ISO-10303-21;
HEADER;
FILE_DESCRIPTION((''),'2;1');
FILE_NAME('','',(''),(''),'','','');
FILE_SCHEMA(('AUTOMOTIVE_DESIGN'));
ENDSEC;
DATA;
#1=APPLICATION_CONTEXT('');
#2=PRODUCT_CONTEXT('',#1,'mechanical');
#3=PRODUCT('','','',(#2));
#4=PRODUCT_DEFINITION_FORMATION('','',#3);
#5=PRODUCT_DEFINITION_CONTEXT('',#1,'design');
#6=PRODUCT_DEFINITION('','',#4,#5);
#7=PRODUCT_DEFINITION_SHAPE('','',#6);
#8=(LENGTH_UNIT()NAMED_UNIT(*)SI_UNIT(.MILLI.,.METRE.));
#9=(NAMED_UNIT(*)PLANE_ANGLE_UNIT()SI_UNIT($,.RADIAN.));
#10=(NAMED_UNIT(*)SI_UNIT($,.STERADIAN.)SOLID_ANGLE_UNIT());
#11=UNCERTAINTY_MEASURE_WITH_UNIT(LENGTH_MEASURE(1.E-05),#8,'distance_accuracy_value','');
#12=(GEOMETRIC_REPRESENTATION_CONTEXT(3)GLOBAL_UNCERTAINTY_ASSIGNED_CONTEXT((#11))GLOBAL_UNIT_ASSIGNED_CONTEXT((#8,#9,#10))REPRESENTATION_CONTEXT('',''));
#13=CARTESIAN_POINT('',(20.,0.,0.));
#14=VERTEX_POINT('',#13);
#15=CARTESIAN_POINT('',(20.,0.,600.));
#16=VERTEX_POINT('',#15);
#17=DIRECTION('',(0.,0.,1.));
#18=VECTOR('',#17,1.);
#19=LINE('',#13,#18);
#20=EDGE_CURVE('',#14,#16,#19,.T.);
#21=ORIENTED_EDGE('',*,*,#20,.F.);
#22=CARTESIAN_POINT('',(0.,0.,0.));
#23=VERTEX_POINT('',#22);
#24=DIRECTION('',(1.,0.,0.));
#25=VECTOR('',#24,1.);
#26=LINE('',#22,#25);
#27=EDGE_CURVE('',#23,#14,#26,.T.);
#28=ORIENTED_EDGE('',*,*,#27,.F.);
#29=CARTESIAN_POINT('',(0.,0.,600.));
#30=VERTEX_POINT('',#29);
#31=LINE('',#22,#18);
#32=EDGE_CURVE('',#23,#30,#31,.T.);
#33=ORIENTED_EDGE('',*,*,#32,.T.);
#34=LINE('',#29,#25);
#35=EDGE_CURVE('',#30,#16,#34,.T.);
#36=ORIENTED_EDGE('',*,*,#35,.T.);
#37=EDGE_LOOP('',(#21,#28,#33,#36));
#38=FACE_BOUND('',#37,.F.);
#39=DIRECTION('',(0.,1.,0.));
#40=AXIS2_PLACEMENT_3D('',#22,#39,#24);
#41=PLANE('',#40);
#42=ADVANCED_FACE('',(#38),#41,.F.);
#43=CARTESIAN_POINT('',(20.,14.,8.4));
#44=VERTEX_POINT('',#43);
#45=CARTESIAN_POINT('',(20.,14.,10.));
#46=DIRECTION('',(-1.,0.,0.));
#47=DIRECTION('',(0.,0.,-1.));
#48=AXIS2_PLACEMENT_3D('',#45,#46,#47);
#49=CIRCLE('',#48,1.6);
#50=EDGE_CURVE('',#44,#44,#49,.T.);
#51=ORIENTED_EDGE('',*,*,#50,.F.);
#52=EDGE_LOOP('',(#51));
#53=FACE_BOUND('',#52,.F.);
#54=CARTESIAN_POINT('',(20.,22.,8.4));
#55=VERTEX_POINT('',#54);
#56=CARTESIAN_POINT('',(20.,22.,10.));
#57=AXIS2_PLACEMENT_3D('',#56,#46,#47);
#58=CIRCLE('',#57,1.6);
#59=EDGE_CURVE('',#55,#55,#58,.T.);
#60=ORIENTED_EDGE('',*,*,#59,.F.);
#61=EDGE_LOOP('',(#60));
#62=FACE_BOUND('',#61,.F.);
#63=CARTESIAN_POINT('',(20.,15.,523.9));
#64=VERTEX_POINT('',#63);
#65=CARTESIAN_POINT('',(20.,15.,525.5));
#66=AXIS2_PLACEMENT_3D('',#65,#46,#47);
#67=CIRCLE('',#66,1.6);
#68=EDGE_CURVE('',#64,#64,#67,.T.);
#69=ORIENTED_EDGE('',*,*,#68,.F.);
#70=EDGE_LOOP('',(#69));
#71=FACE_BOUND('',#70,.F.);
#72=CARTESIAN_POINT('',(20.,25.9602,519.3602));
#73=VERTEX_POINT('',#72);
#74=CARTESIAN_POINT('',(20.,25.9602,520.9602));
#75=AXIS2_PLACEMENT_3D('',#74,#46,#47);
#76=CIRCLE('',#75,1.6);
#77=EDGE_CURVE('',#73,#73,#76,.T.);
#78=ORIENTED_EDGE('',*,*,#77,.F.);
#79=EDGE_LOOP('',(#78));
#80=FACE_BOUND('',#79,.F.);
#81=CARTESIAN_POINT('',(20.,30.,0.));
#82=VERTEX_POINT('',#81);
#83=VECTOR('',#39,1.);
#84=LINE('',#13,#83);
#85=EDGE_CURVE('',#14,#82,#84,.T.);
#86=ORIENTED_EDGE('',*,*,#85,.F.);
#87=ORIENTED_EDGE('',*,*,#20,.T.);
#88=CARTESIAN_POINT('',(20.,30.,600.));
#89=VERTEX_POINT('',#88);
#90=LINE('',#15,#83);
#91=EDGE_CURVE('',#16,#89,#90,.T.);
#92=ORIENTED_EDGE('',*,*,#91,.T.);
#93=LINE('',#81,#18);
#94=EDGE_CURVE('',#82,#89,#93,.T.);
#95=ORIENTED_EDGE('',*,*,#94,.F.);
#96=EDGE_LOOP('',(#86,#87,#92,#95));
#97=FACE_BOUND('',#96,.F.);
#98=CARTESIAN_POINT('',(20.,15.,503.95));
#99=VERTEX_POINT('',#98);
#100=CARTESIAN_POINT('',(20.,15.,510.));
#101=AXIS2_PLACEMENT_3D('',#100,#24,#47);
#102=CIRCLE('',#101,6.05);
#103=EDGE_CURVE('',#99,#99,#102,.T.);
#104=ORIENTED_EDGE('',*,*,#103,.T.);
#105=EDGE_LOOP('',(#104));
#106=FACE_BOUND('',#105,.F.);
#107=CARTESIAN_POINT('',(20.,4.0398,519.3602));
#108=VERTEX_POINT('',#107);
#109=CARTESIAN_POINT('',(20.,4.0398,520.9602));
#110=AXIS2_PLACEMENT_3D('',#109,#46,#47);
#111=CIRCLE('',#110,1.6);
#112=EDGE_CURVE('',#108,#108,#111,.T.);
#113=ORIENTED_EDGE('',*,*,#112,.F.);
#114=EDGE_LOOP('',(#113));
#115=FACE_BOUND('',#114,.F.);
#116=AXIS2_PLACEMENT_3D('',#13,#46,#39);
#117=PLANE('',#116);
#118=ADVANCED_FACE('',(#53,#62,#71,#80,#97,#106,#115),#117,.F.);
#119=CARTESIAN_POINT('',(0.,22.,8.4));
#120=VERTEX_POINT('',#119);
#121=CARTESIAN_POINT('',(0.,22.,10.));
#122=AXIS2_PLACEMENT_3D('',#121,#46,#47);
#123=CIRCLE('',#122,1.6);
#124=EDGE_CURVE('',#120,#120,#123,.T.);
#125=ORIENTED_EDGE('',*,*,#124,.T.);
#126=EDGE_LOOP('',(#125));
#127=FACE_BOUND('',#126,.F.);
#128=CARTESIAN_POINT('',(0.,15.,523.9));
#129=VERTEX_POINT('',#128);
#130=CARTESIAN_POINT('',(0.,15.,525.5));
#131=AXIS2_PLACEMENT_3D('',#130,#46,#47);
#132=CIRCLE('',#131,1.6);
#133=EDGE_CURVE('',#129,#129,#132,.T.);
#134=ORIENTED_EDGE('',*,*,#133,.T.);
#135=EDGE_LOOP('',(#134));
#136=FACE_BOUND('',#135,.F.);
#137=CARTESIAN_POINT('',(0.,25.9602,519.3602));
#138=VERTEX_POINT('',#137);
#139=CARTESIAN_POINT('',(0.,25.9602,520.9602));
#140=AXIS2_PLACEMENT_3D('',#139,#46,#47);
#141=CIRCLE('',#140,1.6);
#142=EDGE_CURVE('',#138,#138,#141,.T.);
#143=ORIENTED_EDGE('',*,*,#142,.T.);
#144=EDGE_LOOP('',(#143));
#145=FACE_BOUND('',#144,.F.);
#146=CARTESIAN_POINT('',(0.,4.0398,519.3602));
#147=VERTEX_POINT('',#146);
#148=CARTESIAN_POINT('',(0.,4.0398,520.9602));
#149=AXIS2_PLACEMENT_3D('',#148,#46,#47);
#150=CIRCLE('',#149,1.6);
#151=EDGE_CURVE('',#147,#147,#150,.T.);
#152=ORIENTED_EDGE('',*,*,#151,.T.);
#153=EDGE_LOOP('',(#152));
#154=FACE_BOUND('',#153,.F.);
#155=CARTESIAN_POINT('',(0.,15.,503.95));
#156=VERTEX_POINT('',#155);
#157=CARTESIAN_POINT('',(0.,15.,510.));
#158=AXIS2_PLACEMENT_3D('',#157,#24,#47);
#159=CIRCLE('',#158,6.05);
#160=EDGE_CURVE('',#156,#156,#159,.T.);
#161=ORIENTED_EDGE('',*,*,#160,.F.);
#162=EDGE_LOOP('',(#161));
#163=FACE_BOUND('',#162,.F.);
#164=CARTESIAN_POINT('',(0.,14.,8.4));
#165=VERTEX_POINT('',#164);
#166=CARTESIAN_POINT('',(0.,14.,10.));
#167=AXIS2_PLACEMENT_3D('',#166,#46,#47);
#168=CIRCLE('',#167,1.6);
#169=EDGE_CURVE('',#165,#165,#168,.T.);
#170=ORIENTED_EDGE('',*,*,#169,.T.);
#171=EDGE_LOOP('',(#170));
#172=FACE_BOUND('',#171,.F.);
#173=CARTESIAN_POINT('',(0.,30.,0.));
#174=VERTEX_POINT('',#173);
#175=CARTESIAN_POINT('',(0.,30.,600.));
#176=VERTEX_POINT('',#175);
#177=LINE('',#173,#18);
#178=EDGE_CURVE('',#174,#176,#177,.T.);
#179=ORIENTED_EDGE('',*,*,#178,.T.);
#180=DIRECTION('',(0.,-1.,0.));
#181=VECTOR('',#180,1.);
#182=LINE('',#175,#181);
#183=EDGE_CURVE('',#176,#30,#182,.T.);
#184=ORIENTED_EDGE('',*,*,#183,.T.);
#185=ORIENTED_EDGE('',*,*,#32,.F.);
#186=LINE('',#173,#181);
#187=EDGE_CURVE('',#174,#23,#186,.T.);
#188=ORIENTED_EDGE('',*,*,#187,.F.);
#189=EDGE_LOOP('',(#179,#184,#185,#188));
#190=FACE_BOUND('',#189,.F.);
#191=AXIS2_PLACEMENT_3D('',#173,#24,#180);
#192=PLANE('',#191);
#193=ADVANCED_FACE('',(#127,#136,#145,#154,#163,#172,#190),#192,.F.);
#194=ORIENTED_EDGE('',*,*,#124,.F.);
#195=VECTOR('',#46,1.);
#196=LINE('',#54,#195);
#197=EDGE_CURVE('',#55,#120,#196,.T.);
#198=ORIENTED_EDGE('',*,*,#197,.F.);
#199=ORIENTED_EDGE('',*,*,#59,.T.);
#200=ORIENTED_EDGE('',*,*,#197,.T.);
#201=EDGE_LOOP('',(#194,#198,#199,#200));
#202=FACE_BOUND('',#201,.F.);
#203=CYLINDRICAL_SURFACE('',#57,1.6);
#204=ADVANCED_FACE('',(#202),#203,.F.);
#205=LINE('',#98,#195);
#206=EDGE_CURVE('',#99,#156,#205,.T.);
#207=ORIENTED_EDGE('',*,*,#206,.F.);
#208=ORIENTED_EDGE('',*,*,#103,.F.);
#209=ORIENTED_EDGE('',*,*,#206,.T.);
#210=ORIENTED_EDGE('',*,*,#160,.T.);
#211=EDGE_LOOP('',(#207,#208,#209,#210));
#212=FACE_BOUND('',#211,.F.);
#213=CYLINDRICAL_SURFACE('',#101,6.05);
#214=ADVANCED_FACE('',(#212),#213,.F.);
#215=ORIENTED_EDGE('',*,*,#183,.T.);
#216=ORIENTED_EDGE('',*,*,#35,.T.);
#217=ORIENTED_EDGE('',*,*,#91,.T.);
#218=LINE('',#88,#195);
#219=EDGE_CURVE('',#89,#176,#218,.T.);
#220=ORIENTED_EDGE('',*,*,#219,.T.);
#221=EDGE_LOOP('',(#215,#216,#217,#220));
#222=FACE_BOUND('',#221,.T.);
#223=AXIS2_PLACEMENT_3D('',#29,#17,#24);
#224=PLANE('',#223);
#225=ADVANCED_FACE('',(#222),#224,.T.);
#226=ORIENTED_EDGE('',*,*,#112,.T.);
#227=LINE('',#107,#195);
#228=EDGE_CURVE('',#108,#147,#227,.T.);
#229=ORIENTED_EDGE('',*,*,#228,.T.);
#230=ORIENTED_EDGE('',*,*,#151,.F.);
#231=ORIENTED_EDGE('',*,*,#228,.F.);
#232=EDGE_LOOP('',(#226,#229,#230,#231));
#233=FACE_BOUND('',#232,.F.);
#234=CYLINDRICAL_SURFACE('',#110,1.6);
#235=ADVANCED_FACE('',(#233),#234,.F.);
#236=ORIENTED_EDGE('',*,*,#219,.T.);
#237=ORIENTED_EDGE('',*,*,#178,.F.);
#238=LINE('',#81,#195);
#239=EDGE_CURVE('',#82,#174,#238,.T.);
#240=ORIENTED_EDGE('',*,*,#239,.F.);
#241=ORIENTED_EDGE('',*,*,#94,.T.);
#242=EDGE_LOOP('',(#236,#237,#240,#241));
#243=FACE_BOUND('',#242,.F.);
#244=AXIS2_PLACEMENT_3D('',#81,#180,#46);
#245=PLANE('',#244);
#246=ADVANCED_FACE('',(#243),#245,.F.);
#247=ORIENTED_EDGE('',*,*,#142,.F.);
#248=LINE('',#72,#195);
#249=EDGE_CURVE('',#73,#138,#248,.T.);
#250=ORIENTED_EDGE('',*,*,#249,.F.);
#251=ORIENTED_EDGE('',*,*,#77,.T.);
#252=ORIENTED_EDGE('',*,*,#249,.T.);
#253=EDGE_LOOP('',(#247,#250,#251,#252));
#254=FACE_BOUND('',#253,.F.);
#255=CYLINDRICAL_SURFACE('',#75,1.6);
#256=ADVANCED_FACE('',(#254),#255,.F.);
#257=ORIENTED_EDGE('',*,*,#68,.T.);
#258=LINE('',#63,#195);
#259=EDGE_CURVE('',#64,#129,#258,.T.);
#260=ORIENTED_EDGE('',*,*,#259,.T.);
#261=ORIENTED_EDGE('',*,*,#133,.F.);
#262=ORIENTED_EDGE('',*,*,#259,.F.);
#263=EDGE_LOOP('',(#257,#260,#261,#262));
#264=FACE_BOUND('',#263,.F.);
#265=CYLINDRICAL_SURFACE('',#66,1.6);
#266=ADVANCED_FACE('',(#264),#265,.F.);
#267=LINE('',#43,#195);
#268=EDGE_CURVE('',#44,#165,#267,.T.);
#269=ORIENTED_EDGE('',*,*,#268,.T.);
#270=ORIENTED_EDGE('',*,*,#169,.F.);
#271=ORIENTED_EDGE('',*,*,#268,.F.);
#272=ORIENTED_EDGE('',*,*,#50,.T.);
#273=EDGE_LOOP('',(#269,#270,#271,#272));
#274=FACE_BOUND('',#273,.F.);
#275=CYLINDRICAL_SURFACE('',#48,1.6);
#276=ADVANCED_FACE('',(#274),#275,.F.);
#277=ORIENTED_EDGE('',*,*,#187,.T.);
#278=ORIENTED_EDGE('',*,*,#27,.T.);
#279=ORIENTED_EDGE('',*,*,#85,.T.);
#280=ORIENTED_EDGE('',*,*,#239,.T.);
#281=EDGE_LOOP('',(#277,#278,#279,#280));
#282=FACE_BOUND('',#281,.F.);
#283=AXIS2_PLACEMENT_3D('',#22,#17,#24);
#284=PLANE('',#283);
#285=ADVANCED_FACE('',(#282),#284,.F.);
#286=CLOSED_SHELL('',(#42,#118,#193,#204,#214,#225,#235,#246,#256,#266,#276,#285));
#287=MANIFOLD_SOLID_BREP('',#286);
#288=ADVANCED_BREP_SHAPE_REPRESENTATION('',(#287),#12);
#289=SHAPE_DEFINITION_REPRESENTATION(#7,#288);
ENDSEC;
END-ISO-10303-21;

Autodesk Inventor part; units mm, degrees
ref_plane "YZ Plane" through (0, 0, 0) normal (1, 0, 0) x (0, 1, 0)
ref_plane "XZ Plane" through (0, 0, 0) normal (0, 1, 0) x (-1, 0, 0)
ref_plane "XY Plane" through (0, 0, 0) normal (0, 0, 1) x (1, 0, 0)
sketch "スケッチ1" plane through (0, 0, 0) normal (0, 0, 1) x (1, 0, 0)
  line L0 (0, 0) -> (20, 0)
  line L1 (20, 0) -> (20, 30)
  line L2 (20, 30) -> (0, 30)
  line L3 (0, 30) -> (0, 0)
  dimension "d0" = 20
  dimension "d1" = 30
extrude "押し出し1" add sketch "スケッチ1" along normal blind 600
sketch "スケッチ2" plane through (20, 0, 0) normal (1, 0, 0) x (0, 0, -1)
  circle A0 centre (-510, 15) radius 6.05
  line L0 (0, 30) -> (-600, 30) projected
  line L1 (-600, 0) -> (-600, 30) projected
  point P0 (0, 0)
  dimension "d4" = 12.1
  dimension "d5" = 15
  dimension "d6" = 90
extrude "押し出し2" cut sketch "スケッチ2" against normal blind 600
sketch "スケッチ3" plane through (20, 0, 0) normal (1, 0, 0) x (0, 0, -1)
  line L0 (0, 30) -> (-600, 30) projected
  line L1 (0, 0) -> (0, 30) projected
  point P0 (-10, 22)
  point P1 (-10, 14)
  dimension "d9" = 8
  dimension "d10" = 10
  dimension "d11" = 8
  dimension "d12" = 10
hole "穴1" at (20, 22, 10) at (20, 14, 10) direction (-1, 0, 0) diameter 3.2 end through all
sketch "スケッチ4" plane through (20, 0, 0) normal (1, 0, 0) x (0, 0, -1)
  circle A0 centre (-510, 15) radius 6.05 projected
  circle A1 centre (-510, 15) radius 15.5 construction
  line L0 (-510, 15) -> (-527.6598, 32.6598) construction
  line L1 (-510, 15) -> (-485.0253, 15) construction
  line L2 (-527.6598, 32.6598) -> (-527.6598, -10.8806) construction
  line L3 (0, 0) -> (-600, 0) projected
  line L4 (-510, 15) -> (-525.5285, -0.5285) construction
  line L5 (-510, 15) -> (-488.0394, 15) construction
  line L6 (-525.5285, -0.5285) -> (-520.9602, 4.0398)
  point P0 (-525.5, 15)
  point P1 (-520.9602, 25.9602)
  dimension "d20" = 31
  dimension "d21" = 135
  dimension "d22" = 135
hole "穴2" at (20, 15, 525.5) at (20, 25.9602, 520.9602) at (20, 4.0398, 520.9602) direction (-1, 0, 0) diameter 3.2 end through all
properties part number "射出_腕_真"
